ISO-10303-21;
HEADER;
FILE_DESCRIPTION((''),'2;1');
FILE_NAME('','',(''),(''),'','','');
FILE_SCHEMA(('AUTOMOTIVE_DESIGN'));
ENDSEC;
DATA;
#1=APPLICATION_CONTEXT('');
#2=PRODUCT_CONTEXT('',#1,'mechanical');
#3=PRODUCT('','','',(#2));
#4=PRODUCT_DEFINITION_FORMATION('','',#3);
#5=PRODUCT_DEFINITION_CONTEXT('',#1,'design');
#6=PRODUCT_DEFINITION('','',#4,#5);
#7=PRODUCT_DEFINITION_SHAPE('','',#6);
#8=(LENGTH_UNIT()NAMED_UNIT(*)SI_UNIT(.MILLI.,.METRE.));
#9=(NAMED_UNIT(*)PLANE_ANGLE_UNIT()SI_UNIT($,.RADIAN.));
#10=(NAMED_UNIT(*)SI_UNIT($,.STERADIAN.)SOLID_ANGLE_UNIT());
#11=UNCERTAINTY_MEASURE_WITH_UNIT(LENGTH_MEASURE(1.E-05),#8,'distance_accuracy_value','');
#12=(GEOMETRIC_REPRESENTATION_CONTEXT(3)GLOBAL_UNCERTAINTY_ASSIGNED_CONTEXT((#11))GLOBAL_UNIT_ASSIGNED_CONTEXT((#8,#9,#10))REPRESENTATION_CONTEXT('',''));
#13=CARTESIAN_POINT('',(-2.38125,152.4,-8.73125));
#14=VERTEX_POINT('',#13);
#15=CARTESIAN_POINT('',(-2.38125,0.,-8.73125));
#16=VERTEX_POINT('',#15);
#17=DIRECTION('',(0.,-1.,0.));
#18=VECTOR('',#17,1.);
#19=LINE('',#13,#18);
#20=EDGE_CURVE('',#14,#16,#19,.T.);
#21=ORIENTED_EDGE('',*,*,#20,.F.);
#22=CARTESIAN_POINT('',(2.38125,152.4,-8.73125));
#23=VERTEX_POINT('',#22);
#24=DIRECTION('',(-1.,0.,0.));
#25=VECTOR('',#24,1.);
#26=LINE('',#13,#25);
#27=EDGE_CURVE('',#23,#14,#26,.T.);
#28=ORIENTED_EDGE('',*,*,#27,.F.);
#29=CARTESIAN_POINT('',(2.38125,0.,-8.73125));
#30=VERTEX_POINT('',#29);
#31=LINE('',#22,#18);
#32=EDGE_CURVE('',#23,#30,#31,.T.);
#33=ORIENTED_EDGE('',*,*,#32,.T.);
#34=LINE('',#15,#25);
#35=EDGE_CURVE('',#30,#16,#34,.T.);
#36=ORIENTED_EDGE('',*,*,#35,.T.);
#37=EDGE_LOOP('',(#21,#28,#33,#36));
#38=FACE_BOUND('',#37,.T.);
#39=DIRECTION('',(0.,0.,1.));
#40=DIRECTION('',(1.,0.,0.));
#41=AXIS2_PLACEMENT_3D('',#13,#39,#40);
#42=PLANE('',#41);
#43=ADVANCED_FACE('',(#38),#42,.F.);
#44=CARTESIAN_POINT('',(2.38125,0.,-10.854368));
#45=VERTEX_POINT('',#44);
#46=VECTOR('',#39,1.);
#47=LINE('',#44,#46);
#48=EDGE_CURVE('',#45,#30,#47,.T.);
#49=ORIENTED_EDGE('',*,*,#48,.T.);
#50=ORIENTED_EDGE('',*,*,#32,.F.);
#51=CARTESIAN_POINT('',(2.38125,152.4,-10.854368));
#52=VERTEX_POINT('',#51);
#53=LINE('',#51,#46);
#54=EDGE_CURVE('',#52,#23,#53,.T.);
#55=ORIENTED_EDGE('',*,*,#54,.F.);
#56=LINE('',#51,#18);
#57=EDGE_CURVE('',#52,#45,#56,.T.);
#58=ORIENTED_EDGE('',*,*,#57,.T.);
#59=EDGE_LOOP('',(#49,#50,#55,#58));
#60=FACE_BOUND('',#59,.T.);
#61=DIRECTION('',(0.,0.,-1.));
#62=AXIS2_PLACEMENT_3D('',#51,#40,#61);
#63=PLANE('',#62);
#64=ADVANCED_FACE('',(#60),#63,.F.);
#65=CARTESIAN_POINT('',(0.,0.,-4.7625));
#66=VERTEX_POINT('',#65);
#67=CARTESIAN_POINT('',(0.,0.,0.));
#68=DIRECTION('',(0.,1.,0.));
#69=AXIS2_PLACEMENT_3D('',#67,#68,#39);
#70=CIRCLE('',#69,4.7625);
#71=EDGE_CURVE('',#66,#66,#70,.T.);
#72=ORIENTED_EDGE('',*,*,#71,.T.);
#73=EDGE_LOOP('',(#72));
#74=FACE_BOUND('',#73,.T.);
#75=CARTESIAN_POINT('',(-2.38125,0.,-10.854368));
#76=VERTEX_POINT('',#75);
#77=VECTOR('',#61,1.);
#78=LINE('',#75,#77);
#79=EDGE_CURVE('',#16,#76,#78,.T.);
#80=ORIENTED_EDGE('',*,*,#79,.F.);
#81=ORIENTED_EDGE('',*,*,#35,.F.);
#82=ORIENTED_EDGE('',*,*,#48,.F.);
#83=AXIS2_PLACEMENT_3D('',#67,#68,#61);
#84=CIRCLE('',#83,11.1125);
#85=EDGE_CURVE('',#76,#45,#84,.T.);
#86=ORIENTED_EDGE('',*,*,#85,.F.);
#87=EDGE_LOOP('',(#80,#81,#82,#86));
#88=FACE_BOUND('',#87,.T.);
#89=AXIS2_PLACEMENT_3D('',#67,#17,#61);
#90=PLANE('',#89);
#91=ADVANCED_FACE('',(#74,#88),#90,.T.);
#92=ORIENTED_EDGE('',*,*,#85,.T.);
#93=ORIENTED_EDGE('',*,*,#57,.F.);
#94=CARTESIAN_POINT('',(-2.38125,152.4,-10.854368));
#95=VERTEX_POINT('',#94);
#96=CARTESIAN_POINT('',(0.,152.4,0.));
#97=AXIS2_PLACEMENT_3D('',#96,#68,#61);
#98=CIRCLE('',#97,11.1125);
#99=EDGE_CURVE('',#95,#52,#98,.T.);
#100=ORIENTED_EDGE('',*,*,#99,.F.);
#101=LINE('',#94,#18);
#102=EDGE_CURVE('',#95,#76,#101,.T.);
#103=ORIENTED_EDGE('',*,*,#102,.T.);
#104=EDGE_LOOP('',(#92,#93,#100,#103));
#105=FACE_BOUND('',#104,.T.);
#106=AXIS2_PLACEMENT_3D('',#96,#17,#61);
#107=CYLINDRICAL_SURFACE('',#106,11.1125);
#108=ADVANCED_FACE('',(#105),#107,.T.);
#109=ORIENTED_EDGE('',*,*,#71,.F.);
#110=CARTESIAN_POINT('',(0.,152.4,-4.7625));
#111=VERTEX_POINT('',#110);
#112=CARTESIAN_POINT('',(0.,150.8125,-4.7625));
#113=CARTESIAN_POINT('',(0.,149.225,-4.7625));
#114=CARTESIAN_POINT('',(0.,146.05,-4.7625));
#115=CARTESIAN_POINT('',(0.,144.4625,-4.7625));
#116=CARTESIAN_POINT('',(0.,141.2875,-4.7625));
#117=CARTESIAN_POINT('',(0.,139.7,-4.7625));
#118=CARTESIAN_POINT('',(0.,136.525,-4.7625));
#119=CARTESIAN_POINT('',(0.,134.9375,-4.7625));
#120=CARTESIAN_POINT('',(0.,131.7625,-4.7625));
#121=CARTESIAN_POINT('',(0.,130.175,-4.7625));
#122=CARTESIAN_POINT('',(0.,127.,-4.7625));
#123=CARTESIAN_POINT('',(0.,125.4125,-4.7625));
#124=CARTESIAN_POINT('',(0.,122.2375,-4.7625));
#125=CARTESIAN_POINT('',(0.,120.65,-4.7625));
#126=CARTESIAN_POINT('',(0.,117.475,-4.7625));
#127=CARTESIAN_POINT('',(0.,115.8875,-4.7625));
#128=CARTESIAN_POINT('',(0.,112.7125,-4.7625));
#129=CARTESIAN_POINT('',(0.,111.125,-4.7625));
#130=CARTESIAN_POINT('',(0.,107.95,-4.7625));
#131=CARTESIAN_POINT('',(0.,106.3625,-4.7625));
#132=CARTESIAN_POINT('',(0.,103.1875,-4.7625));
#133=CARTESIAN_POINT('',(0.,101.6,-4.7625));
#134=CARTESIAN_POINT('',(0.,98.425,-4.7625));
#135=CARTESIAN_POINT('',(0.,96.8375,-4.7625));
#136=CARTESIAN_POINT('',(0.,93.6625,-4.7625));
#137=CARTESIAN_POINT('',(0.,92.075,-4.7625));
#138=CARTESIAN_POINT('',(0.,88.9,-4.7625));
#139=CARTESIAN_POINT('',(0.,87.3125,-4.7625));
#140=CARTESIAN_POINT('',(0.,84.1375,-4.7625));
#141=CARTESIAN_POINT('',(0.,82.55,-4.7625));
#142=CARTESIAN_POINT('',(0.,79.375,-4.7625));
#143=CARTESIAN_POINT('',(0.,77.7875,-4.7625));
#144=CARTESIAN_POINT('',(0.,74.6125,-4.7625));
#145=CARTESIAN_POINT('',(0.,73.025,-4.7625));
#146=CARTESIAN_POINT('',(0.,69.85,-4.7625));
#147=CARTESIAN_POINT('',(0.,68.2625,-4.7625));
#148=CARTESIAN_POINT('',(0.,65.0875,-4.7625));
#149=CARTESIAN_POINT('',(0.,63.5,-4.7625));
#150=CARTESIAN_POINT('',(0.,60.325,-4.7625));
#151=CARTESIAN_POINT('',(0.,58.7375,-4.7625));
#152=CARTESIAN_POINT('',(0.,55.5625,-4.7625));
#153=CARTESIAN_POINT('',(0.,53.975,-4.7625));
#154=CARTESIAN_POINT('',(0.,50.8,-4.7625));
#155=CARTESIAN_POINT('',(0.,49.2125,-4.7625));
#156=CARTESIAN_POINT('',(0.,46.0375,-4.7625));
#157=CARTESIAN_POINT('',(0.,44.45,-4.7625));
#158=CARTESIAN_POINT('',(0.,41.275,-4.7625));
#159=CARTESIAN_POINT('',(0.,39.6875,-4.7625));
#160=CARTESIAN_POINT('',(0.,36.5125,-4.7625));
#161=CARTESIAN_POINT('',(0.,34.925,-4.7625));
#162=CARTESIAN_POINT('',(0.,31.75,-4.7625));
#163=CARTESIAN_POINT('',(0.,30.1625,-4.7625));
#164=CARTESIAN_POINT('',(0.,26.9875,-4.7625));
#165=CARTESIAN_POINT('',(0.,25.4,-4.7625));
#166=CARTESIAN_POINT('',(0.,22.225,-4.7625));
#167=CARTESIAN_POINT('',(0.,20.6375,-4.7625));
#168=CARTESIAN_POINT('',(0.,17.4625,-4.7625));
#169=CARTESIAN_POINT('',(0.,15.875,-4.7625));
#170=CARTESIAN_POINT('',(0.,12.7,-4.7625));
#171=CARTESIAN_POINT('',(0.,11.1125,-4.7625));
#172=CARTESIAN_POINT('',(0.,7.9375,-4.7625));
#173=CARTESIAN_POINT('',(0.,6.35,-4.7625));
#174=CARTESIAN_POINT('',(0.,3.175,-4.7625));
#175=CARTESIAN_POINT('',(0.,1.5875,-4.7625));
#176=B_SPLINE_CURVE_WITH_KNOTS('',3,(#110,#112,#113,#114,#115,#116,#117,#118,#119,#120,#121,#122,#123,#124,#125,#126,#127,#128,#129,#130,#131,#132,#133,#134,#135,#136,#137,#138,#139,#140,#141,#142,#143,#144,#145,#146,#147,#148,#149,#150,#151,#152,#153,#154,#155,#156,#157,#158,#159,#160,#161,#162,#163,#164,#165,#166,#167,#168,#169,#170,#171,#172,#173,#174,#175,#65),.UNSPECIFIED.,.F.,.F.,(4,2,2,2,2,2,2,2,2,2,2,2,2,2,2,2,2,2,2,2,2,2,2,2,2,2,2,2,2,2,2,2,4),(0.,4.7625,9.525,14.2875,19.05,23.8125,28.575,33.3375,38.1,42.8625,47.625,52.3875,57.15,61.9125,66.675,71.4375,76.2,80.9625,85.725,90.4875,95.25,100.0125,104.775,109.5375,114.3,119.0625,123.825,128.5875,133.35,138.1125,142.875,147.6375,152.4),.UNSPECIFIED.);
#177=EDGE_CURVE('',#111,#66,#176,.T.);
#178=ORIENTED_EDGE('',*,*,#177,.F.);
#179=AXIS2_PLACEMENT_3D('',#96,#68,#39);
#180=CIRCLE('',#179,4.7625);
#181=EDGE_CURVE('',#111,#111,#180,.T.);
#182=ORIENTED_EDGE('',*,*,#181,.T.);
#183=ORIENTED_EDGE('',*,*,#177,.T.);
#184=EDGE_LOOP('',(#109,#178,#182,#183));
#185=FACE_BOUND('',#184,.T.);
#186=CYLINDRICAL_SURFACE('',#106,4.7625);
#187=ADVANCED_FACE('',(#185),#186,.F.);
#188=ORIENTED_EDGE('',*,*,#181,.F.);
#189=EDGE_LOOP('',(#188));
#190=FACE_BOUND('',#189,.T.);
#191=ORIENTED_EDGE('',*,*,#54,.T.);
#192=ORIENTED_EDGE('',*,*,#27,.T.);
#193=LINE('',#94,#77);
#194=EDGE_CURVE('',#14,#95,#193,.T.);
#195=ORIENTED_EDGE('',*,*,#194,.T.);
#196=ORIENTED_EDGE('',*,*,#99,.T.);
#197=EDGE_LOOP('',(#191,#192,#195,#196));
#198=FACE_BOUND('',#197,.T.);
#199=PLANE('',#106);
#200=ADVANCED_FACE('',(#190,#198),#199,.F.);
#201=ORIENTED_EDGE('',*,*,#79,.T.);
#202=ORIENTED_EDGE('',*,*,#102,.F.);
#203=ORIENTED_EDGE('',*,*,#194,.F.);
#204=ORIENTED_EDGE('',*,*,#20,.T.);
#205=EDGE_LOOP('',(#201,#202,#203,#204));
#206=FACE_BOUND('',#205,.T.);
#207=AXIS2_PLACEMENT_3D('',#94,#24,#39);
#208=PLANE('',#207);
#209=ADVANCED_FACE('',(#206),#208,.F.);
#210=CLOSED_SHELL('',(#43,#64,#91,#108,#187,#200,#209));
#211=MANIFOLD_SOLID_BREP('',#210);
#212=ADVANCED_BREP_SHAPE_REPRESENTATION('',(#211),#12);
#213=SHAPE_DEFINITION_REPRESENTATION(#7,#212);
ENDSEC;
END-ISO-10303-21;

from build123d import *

# Parameters (mm, degrees)
SKETCH1_R   = 4.7625
SHAFT_DEPTH = 152.4


with BuildPart() as part:
    # Sketch1 → Shaft (new body)
    with BuildSketch(Plane(origin=(0, 0, 0), x_dir=(1, 0, 0), z_dir=(0, 1, 0))):
        with BuildLine():
            Line((-2.38125, 10.854368), (-2.38125, 8.73125))
            Line((-2.38125, 8.73125), (2.38125, 8.73125))
            Line((2.38125, 8.73125), (2.38125, 10.854368))
            ThreePointArc((2.38125, 10.854368), (0, -11.1125), (-2.38125, 10.854368))
        make_face()
        with Locations(Location((0, 0, 0), (0, 0, 90))):
            Circle(SKETCH1_R, mode=Mode.SUBTRACT)
    extrude(amount=SHAFT_DEPTH)


solid = part.part
